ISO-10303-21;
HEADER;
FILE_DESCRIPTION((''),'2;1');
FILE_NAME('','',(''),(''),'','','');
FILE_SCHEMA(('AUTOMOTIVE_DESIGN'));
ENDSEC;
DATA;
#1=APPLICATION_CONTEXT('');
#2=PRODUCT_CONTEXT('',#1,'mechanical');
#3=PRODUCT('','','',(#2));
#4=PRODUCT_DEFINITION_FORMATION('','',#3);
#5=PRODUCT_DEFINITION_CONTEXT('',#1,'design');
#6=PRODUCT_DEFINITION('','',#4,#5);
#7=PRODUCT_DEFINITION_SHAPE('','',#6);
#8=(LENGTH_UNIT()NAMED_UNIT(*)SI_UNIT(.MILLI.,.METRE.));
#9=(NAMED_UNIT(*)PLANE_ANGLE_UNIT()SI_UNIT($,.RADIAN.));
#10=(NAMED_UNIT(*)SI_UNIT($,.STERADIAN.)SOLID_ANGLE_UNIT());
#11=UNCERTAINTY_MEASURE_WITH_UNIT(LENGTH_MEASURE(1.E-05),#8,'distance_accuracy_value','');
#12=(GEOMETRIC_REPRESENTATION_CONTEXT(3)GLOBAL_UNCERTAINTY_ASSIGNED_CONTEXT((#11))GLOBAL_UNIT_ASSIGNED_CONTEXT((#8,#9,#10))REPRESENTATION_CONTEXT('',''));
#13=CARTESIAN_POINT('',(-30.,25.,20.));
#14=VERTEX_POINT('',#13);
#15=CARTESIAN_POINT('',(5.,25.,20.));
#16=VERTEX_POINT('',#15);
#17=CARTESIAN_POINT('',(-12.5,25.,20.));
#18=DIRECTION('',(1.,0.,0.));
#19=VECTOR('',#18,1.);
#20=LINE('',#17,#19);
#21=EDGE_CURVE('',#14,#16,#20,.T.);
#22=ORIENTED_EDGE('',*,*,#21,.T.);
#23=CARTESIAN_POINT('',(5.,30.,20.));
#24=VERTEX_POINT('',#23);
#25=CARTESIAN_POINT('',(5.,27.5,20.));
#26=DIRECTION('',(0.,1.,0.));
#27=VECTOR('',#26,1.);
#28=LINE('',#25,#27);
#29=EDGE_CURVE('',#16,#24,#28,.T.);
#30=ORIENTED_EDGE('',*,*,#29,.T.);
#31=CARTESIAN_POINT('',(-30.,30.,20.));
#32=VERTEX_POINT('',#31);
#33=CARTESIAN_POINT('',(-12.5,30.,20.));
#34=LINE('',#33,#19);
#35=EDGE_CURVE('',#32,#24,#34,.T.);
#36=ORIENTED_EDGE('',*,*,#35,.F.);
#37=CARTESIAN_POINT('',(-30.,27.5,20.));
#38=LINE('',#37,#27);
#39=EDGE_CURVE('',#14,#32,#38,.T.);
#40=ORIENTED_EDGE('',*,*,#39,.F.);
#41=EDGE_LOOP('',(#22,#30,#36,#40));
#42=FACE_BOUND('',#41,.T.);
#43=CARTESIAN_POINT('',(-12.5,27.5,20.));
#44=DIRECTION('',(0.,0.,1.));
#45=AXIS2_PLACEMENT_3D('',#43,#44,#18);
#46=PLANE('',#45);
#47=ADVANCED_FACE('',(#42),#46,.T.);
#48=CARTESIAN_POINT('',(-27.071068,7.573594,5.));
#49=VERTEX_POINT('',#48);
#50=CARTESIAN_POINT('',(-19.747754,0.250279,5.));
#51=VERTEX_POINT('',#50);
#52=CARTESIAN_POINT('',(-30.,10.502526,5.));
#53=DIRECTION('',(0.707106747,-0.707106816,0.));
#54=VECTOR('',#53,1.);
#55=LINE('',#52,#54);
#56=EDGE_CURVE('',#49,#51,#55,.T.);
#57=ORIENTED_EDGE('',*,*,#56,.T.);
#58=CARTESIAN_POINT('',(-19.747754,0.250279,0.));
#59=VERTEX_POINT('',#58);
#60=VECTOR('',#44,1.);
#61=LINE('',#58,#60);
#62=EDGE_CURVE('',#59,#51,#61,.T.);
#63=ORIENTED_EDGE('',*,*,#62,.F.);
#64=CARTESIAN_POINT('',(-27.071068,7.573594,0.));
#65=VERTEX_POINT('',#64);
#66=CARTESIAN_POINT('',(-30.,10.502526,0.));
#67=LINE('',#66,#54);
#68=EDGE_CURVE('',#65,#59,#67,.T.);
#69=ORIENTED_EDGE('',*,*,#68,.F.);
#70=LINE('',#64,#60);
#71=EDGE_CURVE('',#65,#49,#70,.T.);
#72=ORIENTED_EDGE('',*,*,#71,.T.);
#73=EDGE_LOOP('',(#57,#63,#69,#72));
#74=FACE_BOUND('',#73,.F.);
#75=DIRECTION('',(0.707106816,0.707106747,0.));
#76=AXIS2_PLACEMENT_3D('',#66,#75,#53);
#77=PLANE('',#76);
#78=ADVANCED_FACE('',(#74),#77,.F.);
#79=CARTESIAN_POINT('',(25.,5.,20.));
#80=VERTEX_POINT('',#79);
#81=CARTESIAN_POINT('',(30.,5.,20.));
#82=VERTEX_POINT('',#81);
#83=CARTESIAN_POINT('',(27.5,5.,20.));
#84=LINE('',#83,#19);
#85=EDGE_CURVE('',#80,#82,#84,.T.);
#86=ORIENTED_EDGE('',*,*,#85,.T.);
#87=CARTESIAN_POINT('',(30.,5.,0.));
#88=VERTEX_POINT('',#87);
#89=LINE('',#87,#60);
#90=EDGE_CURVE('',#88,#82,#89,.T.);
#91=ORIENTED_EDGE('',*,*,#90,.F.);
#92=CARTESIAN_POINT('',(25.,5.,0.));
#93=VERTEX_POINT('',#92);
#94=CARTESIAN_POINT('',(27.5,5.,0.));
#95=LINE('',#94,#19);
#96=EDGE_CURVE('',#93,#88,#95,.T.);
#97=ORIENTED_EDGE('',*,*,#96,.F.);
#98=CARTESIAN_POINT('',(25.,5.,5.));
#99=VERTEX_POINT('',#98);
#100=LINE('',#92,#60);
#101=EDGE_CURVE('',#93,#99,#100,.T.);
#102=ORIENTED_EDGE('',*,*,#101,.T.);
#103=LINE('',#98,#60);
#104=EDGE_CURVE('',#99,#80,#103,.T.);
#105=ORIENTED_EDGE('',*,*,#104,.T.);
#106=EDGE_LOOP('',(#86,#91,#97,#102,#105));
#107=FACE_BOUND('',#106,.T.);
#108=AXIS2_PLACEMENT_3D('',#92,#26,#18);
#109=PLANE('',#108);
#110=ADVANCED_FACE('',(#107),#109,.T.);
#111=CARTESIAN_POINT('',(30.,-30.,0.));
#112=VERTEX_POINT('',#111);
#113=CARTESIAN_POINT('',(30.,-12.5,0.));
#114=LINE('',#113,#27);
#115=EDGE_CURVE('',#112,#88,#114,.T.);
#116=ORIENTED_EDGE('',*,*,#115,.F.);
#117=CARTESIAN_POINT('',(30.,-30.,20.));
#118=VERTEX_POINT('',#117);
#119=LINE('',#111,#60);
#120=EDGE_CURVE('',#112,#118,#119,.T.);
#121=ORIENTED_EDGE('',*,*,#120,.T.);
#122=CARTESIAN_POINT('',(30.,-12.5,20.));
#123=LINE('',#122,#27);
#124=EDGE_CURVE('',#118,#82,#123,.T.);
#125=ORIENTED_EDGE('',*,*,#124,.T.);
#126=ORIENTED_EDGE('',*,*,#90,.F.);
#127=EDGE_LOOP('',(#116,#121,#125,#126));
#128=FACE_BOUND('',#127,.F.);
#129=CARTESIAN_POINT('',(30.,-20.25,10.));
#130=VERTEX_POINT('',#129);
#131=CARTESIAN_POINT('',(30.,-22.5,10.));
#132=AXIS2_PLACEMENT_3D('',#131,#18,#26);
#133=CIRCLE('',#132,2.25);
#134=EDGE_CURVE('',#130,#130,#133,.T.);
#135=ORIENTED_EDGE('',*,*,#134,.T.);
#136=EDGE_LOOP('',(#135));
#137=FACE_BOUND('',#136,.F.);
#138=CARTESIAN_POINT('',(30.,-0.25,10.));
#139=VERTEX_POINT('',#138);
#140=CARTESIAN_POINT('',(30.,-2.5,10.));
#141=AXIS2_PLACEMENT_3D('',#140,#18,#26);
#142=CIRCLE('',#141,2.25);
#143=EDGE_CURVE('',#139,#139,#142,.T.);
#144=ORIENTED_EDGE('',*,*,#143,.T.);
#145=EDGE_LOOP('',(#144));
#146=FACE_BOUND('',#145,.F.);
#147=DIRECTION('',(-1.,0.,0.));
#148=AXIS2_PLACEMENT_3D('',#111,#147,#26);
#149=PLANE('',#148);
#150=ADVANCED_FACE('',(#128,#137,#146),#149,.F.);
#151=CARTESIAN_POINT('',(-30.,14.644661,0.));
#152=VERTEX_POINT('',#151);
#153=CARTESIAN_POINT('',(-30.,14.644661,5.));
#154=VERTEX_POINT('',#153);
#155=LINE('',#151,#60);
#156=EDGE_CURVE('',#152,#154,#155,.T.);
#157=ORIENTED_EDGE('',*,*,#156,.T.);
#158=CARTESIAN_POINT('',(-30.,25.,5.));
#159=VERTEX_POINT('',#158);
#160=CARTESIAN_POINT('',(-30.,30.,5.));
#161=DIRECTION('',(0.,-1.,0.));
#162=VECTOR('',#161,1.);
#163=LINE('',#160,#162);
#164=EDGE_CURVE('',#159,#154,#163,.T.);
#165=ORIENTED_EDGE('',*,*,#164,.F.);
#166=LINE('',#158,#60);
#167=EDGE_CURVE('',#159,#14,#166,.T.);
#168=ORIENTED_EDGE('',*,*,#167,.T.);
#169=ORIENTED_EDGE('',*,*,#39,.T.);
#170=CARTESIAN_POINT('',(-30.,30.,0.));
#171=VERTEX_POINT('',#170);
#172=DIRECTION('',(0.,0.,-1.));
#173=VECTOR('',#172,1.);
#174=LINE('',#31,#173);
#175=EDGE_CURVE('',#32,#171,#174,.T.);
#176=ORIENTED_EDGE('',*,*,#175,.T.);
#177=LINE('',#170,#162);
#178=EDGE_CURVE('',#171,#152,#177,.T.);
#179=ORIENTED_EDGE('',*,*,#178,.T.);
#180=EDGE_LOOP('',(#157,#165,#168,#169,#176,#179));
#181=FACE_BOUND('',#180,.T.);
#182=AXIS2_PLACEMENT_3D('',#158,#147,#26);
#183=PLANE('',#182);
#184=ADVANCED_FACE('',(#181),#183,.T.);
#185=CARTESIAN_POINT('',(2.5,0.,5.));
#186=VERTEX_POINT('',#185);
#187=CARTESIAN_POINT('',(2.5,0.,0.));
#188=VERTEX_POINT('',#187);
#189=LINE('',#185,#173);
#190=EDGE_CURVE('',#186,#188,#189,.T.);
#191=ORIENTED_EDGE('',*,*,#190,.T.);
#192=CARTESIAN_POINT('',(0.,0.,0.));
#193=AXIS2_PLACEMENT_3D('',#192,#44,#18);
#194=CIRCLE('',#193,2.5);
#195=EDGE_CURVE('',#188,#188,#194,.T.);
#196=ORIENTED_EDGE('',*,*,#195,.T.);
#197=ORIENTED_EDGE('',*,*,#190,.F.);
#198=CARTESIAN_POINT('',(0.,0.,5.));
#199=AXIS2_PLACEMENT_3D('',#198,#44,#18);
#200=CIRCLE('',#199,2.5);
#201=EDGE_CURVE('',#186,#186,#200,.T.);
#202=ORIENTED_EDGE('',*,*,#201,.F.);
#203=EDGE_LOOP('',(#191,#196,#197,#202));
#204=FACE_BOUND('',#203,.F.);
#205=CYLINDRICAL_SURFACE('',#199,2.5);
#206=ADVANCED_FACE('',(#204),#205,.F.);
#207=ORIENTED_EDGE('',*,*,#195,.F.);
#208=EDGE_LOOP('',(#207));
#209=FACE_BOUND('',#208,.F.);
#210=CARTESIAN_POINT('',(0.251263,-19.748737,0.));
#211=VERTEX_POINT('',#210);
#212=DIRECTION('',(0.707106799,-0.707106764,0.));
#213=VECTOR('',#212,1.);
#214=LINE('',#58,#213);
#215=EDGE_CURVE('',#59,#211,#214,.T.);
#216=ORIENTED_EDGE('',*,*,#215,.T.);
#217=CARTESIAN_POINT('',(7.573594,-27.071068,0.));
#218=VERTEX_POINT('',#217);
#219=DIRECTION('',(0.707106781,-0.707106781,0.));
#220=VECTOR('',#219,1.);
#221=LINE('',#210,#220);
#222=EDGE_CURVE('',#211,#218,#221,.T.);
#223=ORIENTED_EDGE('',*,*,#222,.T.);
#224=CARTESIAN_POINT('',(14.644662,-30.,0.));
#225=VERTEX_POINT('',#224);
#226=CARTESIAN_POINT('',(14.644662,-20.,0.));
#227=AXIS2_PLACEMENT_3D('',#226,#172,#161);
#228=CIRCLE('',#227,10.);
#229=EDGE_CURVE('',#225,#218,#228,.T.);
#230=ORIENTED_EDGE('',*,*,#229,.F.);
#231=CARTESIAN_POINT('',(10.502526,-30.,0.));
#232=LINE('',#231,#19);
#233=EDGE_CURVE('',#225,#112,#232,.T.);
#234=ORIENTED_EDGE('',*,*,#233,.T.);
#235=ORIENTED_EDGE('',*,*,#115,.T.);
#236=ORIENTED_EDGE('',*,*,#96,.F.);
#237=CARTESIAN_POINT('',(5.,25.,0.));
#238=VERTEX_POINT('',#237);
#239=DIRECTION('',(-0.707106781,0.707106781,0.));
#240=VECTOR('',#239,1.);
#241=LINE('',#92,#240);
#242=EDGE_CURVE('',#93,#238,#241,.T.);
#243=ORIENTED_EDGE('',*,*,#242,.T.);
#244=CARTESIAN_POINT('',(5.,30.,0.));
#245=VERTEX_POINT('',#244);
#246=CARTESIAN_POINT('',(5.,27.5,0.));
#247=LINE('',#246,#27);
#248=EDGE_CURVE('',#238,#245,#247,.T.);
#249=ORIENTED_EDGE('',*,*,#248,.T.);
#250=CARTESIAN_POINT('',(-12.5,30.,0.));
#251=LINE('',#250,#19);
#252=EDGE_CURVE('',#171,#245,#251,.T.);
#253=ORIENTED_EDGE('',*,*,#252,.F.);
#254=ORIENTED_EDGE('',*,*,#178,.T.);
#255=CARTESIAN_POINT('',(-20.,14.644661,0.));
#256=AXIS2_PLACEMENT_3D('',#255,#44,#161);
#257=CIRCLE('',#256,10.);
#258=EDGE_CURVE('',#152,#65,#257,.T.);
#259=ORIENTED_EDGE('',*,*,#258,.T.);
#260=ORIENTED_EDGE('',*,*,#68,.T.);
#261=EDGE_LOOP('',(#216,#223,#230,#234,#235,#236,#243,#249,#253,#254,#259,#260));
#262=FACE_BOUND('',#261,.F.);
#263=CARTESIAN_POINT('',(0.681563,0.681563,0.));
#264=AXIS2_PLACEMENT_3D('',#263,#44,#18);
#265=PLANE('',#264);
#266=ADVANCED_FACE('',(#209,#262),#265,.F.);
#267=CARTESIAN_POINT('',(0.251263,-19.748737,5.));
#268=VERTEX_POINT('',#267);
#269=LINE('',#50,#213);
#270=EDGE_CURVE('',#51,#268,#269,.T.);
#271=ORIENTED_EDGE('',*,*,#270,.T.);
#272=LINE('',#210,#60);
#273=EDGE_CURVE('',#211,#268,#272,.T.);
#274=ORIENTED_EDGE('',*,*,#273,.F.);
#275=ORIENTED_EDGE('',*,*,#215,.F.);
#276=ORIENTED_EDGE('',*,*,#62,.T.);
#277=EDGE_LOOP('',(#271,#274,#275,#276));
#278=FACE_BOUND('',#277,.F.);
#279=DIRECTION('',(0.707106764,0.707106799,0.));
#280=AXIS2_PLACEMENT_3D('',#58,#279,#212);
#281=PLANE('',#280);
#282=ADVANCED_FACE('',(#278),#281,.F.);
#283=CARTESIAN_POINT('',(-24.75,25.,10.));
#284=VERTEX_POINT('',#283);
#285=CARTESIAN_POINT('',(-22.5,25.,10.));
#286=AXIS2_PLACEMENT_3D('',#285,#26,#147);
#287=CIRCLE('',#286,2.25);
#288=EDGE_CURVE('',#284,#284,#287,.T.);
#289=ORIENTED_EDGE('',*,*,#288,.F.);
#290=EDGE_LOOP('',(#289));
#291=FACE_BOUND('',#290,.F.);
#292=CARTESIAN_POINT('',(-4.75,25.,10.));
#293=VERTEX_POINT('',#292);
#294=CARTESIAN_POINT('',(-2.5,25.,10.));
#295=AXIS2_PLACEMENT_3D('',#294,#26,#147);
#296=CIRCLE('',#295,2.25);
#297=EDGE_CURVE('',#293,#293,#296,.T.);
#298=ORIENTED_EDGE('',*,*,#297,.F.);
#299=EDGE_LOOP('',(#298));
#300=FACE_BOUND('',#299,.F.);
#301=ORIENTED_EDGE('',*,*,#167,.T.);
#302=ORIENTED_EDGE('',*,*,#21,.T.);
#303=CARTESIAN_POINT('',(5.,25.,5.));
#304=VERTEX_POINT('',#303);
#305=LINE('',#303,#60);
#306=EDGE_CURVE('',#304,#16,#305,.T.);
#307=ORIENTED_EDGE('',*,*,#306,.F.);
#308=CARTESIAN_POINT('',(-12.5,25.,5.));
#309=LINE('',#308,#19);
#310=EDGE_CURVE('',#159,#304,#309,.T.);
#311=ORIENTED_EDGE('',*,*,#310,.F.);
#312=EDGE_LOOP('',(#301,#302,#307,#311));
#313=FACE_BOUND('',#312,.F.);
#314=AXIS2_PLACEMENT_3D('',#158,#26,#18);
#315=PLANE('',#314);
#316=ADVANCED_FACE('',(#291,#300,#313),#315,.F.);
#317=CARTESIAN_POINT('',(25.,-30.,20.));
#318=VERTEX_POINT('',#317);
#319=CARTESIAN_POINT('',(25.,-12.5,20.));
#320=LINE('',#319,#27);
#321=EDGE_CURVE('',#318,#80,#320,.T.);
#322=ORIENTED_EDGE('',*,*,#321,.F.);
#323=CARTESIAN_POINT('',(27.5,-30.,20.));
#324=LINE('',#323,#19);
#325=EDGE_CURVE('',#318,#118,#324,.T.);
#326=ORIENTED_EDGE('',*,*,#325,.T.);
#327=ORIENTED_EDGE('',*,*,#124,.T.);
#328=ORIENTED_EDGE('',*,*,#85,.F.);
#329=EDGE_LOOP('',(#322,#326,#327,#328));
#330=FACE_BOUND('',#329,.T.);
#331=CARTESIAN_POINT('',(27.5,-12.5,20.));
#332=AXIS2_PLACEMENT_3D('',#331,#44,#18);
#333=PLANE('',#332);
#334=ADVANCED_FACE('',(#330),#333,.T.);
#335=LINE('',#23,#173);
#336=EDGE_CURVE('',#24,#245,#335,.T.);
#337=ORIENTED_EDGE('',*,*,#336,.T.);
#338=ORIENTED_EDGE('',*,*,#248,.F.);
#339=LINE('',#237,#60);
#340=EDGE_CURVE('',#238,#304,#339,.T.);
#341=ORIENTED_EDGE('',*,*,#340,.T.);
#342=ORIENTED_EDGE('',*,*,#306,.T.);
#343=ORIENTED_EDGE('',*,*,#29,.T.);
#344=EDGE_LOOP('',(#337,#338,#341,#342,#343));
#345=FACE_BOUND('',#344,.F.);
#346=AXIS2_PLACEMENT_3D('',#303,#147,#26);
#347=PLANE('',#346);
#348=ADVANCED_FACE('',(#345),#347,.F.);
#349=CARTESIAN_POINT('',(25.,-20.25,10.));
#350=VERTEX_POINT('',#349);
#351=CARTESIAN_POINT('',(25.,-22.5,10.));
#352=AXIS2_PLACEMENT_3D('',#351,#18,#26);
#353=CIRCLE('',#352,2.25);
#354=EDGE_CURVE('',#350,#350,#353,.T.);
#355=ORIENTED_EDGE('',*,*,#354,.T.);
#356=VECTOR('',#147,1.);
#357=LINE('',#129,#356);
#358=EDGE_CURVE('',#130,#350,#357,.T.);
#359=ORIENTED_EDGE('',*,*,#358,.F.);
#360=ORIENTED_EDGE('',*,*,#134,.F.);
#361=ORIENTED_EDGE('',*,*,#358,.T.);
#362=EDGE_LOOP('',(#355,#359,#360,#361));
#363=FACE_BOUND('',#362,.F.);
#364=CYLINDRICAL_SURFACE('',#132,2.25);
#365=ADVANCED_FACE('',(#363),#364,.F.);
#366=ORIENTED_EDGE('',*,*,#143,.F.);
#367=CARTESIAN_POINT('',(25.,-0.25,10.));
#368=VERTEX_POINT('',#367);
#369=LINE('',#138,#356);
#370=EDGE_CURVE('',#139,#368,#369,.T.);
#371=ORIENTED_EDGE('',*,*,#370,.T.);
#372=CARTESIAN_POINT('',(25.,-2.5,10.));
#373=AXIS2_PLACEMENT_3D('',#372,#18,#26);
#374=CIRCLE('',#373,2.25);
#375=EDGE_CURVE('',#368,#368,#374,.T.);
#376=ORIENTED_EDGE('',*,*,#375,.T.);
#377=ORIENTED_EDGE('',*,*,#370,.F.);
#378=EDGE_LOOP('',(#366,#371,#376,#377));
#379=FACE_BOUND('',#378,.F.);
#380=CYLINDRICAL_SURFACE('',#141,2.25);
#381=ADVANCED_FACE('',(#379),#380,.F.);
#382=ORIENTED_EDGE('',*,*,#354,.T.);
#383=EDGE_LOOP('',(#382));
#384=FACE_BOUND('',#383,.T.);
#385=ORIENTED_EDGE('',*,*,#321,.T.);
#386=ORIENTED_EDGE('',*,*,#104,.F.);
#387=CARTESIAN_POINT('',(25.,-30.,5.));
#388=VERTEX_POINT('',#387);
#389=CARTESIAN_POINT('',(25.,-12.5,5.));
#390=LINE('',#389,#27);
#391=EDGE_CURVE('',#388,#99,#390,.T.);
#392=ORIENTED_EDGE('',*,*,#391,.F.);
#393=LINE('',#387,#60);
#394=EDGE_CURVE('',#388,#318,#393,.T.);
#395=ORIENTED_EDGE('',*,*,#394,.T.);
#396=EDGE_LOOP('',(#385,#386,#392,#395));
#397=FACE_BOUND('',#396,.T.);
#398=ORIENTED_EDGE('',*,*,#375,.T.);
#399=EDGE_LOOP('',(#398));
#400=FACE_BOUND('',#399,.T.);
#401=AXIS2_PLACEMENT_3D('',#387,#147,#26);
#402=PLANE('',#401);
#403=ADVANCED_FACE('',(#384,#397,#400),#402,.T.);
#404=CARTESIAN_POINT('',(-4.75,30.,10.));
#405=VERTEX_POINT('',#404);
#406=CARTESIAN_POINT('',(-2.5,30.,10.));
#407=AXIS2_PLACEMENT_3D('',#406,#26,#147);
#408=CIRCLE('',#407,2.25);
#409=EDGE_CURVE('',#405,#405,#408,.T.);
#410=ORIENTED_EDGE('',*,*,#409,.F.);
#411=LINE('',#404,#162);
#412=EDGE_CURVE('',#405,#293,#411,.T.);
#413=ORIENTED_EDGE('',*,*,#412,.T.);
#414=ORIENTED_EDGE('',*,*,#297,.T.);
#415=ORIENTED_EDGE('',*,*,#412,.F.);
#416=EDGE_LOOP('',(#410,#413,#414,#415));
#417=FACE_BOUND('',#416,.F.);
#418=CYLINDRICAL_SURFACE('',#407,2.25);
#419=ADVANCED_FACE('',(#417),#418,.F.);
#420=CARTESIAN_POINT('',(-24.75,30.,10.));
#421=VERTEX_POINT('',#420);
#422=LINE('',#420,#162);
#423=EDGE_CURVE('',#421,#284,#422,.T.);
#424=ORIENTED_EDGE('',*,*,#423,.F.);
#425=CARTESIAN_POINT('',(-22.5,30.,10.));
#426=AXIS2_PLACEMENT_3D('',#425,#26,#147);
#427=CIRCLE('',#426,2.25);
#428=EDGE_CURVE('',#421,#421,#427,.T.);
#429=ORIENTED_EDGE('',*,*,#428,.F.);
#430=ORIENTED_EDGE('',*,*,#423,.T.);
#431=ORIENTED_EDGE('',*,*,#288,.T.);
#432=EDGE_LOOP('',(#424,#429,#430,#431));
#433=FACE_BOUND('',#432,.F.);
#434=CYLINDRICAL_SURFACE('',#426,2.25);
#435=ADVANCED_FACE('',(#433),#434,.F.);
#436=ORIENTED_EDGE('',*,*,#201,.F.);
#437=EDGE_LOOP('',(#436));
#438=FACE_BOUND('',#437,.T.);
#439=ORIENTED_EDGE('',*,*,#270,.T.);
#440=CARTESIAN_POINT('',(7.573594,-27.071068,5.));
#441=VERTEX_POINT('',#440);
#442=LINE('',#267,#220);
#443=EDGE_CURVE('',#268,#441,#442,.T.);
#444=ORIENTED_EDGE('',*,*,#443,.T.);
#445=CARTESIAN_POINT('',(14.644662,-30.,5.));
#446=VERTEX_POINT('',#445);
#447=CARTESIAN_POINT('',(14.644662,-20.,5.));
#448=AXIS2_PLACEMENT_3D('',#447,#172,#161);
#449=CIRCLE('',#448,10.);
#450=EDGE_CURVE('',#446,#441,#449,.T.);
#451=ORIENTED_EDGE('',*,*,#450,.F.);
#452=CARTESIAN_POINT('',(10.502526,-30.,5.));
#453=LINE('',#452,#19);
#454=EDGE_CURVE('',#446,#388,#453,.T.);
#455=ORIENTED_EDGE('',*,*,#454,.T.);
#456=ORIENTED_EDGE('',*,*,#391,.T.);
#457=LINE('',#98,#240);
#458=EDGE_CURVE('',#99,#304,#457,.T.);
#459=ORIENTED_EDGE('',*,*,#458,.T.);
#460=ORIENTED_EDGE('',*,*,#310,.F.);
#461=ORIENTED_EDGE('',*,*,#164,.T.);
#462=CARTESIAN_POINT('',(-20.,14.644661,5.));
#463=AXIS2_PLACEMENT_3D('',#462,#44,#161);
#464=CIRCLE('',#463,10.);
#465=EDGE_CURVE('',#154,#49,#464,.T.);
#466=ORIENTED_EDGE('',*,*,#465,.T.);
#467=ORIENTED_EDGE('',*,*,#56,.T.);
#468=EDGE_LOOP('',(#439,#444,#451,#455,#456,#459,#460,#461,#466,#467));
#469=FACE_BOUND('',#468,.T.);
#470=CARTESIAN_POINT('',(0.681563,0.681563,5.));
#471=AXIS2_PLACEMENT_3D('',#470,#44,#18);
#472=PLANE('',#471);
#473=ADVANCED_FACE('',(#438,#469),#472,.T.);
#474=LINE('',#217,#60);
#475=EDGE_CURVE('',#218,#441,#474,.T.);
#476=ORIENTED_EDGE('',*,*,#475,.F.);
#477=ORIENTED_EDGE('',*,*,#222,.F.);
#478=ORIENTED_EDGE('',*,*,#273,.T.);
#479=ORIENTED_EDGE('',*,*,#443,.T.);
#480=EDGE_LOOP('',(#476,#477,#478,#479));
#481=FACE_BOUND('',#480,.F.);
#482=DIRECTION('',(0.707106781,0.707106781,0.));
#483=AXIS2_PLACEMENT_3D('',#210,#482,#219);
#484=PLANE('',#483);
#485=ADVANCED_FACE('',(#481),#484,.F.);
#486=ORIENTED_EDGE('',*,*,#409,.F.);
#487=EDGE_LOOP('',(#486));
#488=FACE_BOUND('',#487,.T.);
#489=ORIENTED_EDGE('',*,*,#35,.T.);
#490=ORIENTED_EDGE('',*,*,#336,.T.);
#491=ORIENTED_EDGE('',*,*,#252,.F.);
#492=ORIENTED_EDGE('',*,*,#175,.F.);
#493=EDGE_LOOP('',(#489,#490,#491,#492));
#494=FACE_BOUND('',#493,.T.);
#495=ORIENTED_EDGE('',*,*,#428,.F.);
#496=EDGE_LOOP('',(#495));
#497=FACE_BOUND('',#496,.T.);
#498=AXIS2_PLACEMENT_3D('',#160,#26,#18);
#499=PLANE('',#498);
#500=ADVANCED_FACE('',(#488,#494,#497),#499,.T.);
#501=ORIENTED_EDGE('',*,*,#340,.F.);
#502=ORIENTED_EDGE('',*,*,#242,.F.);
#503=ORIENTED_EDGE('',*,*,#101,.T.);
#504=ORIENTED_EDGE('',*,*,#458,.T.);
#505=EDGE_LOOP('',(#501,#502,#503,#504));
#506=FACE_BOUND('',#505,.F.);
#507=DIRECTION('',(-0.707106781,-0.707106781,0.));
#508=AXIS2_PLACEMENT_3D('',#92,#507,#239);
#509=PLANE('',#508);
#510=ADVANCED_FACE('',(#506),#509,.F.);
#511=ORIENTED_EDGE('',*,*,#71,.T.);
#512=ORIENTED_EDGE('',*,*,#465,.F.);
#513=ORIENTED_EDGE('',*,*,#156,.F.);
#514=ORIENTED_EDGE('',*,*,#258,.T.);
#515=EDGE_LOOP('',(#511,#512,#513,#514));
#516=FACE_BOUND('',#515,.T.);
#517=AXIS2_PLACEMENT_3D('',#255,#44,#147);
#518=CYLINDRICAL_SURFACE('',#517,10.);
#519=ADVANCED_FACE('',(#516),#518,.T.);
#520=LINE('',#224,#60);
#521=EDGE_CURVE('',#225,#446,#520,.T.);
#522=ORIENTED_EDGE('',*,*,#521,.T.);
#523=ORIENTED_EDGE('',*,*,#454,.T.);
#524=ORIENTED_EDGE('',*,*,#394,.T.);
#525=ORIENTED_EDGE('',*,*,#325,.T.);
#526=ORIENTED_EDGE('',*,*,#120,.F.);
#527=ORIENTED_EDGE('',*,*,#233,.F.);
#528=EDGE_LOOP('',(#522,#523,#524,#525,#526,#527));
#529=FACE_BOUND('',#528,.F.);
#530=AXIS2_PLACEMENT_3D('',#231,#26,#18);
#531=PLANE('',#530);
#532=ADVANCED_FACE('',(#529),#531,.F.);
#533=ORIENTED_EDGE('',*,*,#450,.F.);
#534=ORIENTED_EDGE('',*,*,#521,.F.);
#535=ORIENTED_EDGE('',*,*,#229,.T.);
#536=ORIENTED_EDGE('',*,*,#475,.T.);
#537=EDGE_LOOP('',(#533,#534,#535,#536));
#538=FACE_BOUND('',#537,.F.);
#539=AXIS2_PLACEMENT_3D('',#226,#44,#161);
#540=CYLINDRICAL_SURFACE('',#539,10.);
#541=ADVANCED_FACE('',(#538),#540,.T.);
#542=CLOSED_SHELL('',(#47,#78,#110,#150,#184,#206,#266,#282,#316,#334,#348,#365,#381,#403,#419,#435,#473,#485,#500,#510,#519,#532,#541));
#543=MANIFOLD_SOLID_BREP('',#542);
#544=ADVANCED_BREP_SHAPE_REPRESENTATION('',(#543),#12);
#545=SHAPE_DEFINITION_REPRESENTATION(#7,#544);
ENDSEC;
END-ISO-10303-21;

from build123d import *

# Parameters (mm, degrees)
F0_W     = 35
F0_H     = 5
F0_W_2   = 5
F0_H_2   = 35
F1_DEPTH = 5
F2_W     = 35
F2_H     = 5
F2_W_2   = 5
F2_H_2   = 35
F3_DEPTH = 15
F4_R     = 2.5
F5_DEPTH = 5
F6_R     = 2.25
F7_DEPTH = 5
F8_R     = 2.25
F9_DEPTH = 5
F10_R    = 10


with BuildPart() as f1:
    # F0 (on Top) → F1 (new body)
    with BuildSketch(Plane.XY):
        Polygon((10.502526, -30), (25, -30), (25, 5), (5, 25), (-30, 25), (-30, 10.502526), (-19.747754, 0.250279), (0.251263, -19.748737), align=None)
        with Locations((-12.5, 27.5)):
            Rectangle(F0_W, F0_H)
        with Locations((27.5, -12.5)):
            Rectangle(F0_W_2, F0_H_2)
    extrude(amount=F1_DEPTH)

    # F2 (on face) → F3 (join)
    with BuildSketch(Plane.XY.offset(5)):
        with Locations((-12.5, 27.5)):
            Rectangle(F2_W, F2_H)
        with Locations((27.5, -12.5)):
            Rectangle(F2_W_2, F2_H_2)
    extrude(amount=F3_DEPTH)

    # F4 (on face) → F5 (cut, through all)
    with BuildSketch(Plane.XY.offset(5)):
        Circle(F4_R)
    extrude(amount=-F5_DEPTH, mode=Mode.SUBTRACT)

    # F6 (on face) → F7 (cut, through all)
    with BuildSketch(Plane.YZ.offset(30)):
        with Locations((-22.5, 10)):
            Circle(F6_R)
        with Locations((-2.5, 10)):
            Circle(F6_R)
    extrude(amount=-F7_DEPTH, mode=Mode.SUBTRACT)

    # F8 (on face) → F9 (cut, through all)
    with BuildSketch(Plane(origin=(0, 30, 0), x_dir=(-1, 0, 0), z_dir=(0, 1, 0))):
        with Locations((2.5, 10)):
            Circle(F8_R)
        with Locations((22.5, 10)):
            Circle(F8_R)
    extrude(amount=-F9_DEPTH, mode=Mode.SUBTRACT)

    # F10
    f10_edges = [f1.edges().sort_by_distance(p)[0] for p in [
        (-30, 10.502526, 2.5),
        (10.502526, -30, 2.5),
    ]]
    fillet(f10_edges, radius=F10_R)


solid = f1.part
